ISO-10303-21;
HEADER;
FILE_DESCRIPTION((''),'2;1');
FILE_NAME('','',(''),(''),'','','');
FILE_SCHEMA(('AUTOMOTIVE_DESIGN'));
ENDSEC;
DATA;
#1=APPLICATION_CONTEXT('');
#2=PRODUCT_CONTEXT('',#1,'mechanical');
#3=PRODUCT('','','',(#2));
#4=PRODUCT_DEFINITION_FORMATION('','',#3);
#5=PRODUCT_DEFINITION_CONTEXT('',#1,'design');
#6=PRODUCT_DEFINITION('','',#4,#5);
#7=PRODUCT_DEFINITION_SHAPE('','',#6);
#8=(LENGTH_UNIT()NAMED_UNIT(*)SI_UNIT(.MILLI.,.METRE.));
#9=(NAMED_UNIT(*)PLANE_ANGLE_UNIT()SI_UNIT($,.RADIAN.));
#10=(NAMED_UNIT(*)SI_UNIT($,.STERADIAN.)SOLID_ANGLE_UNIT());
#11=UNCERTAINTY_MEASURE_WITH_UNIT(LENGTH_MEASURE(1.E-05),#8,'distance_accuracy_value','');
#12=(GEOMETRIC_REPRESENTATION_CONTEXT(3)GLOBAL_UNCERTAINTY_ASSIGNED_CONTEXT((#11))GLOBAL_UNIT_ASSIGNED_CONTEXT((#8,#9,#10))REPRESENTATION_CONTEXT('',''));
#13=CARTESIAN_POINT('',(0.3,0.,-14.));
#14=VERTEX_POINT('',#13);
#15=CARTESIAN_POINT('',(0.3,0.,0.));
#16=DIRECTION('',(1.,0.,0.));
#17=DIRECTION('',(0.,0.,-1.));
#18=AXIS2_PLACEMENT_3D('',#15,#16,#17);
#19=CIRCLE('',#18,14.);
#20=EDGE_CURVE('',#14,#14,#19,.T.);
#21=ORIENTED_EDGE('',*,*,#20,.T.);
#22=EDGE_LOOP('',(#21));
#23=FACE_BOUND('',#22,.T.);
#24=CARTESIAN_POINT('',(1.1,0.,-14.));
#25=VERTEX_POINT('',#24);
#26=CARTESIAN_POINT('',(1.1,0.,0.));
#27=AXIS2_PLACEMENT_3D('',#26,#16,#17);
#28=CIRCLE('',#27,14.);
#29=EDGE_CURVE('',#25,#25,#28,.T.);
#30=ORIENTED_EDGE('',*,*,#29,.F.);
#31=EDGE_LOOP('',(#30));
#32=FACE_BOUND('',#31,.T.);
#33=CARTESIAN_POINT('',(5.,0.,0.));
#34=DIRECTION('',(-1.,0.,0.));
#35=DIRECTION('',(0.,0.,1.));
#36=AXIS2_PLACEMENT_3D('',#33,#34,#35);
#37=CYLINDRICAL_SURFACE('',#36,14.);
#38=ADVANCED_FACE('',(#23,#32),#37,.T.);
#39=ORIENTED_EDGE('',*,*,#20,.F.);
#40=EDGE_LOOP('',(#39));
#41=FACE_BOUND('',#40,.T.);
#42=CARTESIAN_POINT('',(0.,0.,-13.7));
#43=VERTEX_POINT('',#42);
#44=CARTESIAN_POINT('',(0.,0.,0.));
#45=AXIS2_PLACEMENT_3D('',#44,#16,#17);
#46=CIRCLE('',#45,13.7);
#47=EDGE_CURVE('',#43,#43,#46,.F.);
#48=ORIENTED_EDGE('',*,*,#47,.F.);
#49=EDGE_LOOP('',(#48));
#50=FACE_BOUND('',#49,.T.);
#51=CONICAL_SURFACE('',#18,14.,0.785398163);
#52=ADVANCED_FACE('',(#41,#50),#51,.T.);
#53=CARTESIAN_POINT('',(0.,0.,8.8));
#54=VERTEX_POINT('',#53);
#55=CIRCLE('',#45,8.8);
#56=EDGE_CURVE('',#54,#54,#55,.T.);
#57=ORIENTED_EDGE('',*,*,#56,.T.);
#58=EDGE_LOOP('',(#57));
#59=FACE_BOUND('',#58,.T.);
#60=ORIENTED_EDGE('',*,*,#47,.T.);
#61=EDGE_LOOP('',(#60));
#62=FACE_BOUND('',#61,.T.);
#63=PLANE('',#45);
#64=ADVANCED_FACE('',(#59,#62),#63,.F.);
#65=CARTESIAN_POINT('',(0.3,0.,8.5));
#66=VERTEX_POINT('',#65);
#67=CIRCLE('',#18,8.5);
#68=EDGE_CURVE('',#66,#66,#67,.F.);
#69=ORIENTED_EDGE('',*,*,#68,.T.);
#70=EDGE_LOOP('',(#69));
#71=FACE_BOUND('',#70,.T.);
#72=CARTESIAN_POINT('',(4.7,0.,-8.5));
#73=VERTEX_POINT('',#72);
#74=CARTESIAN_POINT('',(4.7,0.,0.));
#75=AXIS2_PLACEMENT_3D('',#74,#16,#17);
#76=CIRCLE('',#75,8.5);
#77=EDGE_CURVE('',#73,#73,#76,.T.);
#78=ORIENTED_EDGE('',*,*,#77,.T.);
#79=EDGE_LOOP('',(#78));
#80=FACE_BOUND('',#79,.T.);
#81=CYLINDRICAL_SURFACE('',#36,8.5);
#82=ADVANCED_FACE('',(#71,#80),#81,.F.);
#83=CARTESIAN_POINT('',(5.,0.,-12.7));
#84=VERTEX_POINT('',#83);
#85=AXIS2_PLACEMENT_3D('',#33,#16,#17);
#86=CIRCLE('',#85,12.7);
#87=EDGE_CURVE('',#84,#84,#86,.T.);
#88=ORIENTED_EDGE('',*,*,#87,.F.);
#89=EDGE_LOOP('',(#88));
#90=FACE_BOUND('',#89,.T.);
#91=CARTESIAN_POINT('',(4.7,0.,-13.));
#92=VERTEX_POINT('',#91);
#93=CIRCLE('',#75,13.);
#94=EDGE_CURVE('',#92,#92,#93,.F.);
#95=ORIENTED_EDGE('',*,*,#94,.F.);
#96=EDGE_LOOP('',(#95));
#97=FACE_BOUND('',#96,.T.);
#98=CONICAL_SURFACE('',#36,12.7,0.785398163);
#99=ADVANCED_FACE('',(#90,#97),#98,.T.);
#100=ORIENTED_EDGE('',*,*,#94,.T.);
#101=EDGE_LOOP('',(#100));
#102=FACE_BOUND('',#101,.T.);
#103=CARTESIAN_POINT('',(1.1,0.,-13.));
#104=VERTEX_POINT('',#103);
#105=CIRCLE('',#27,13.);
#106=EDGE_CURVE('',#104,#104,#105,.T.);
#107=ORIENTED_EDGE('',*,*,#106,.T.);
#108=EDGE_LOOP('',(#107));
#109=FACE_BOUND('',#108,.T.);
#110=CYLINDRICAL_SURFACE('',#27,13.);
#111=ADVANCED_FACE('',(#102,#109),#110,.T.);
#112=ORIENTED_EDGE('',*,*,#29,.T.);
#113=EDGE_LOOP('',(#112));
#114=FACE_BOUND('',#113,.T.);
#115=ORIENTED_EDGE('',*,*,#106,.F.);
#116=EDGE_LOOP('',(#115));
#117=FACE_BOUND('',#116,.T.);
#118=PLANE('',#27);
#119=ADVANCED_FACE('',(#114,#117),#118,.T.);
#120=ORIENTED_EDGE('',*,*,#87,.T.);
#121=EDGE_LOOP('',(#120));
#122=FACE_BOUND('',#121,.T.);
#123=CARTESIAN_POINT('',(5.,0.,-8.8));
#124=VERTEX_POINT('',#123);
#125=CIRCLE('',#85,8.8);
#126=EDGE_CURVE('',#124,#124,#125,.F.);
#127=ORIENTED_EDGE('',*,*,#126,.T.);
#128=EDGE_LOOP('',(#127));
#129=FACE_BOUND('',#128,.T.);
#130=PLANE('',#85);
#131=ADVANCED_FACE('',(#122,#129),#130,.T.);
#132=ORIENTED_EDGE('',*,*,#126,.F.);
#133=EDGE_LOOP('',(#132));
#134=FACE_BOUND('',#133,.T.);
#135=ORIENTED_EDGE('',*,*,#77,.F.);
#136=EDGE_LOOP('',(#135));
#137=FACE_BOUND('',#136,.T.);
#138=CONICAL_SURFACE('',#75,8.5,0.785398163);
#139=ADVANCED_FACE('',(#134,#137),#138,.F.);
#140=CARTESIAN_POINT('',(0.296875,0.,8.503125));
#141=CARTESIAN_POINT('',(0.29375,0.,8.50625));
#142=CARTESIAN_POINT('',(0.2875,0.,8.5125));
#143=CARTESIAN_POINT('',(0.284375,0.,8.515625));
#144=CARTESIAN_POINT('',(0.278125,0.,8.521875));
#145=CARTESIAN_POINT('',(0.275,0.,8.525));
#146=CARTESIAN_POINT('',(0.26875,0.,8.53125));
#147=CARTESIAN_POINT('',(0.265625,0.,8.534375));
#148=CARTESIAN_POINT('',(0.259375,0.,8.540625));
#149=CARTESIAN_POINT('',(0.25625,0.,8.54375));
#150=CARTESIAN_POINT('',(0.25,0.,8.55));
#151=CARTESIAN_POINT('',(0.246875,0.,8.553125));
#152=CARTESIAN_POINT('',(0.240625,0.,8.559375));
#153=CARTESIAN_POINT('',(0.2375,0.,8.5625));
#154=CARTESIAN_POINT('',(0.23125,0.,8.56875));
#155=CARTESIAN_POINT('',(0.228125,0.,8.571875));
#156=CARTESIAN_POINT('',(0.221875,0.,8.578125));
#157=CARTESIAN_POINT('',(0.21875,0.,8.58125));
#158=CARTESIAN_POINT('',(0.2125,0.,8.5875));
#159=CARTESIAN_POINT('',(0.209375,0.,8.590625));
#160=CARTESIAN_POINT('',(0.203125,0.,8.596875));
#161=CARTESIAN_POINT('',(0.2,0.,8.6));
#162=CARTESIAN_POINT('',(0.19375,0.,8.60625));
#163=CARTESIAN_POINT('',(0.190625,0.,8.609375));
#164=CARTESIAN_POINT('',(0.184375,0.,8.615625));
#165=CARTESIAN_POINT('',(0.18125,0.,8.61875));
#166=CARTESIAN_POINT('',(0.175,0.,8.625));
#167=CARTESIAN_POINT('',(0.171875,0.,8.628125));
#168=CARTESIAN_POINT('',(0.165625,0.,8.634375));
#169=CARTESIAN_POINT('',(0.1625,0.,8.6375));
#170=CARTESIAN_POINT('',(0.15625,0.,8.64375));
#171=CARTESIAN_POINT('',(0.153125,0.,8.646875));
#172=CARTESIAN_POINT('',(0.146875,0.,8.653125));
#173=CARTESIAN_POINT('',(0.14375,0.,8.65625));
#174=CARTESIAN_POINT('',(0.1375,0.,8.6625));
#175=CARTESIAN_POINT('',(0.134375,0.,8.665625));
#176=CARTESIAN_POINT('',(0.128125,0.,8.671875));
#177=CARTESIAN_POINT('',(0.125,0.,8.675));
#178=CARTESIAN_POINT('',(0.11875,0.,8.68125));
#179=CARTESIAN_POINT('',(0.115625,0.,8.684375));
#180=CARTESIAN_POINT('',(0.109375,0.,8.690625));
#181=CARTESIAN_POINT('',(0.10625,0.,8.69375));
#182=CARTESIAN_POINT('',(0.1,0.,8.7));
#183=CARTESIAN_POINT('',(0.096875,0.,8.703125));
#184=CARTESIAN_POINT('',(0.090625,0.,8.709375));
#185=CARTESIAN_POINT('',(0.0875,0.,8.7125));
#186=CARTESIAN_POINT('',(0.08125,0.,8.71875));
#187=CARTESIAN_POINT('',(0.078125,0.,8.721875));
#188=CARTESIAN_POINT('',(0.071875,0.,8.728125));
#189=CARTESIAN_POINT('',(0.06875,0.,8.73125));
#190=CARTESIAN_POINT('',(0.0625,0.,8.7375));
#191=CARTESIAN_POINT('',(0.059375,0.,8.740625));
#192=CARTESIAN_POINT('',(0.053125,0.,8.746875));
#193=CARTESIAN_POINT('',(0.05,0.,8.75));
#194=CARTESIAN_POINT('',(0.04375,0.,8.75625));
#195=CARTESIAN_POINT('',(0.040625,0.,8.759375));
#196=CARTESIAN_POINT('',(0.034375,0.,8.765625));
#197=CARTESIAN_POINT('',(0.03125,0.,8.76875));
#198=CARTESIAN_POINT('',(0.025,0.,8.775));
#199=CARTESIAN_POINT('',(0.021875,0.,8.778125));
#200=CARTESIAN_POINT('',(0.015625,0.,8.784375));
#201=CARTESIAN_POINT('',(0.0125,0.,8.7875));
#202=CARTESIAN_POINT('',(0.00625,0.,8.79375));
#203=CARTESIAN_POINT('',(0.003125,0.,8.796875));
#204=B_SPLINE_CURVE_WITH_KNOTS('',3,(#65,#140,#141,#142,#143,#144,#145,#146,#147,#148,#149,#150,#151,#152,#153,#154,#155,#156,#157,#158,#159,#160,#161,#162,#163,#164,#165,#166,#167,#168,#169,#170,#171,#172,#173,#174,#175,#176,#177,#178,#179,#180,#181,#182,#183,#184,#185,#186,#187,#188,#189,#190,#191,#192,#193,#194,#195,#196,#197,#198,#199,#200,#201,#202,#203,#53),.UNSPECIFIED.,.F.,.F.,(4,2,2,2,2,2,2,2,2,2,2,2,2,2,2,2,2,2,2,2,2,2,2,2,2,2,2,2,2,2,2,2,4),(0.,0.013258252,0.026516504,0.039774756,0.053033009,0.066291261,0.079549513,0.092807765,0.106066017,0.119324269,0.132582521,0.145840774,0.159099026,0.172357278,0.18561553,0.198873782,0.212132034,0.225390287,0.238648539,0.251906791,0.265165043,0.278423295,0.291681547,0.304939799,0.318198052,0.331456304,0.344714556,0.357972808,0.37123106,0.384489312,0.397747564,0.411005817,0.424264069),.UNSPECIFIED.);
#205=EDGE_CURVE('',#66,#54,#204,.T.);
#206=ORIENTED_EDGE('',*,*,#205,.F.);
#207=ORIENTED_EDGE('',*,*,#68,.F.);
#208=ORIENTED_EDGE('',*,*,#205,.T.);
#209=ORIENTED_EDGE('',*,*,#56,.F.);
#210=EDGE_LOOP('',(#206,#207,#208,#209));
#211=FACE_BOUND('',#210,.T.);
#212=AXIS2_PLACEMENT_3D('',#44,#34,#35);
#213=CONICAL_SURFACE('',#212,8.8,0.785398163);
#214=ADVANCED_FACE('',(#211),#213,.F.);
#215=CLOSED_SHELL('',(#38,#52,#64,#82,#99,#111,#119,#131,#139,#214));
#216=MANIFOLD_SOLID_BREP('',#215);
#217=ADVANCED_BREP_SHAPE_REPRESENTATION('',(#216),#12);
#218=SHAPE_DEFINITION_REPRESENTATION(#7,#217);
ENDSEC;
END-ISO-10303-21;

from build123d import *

# Parameters (mm, degrees)
SKETCH_1_R          = 14
SKETCH_1_R_2        = 8.5
EXTRUDE_1_DEPTH     = 5
SKETCH_2_R          = 16.127190563
SKETCH_2_R_2        = 13
CUT_EXTRUDE_1_DEPTH = 3.9
CHAMFER_1_SIZE      = 0.3


with BuildPart() as part:
    # 草图1 → 凸台-拉伸1 (new body)
    with BuildSketch(Plane(origin=(0, 0, 0), x_dir=(0, 0, -1), z_dir=(1, 0, 0))):
        Circle(SKETCH_1_R)
        Circle(SKETCH_1_R_2, mode=Mode.SUBTRACT)
    extrude(amount=EXTRUDE_1_DEPTH)

    # 草图2 → 切除-拉伸1 (cut)
    with BuildSketch(Plane(origin=(5, 0, 0), x_dir=(0, 0, -1), z_dir=(1, 0, 0))):
        Circle(SKETCH_2_R)
        Circle(SKETCH_2_R_2, mode=Mode.SUBTRACT)
    extrude(amount=-CUT_EXTRUDE_1_DEPTH, mode=Mode.SUBTRACT)

    # 倒角1
    chamfer_1_edges = [part.edges().sort_by_distance(p)[0] for p in [
        (5, 0, 13),
        (0, 0, 14),
        (0, 0, 8.5),
        (5, 0, 8.5),
    ]]
    chamfer(chamfer_1_edges, length=CHAMFER_1_SIZE)


solid = part.part
